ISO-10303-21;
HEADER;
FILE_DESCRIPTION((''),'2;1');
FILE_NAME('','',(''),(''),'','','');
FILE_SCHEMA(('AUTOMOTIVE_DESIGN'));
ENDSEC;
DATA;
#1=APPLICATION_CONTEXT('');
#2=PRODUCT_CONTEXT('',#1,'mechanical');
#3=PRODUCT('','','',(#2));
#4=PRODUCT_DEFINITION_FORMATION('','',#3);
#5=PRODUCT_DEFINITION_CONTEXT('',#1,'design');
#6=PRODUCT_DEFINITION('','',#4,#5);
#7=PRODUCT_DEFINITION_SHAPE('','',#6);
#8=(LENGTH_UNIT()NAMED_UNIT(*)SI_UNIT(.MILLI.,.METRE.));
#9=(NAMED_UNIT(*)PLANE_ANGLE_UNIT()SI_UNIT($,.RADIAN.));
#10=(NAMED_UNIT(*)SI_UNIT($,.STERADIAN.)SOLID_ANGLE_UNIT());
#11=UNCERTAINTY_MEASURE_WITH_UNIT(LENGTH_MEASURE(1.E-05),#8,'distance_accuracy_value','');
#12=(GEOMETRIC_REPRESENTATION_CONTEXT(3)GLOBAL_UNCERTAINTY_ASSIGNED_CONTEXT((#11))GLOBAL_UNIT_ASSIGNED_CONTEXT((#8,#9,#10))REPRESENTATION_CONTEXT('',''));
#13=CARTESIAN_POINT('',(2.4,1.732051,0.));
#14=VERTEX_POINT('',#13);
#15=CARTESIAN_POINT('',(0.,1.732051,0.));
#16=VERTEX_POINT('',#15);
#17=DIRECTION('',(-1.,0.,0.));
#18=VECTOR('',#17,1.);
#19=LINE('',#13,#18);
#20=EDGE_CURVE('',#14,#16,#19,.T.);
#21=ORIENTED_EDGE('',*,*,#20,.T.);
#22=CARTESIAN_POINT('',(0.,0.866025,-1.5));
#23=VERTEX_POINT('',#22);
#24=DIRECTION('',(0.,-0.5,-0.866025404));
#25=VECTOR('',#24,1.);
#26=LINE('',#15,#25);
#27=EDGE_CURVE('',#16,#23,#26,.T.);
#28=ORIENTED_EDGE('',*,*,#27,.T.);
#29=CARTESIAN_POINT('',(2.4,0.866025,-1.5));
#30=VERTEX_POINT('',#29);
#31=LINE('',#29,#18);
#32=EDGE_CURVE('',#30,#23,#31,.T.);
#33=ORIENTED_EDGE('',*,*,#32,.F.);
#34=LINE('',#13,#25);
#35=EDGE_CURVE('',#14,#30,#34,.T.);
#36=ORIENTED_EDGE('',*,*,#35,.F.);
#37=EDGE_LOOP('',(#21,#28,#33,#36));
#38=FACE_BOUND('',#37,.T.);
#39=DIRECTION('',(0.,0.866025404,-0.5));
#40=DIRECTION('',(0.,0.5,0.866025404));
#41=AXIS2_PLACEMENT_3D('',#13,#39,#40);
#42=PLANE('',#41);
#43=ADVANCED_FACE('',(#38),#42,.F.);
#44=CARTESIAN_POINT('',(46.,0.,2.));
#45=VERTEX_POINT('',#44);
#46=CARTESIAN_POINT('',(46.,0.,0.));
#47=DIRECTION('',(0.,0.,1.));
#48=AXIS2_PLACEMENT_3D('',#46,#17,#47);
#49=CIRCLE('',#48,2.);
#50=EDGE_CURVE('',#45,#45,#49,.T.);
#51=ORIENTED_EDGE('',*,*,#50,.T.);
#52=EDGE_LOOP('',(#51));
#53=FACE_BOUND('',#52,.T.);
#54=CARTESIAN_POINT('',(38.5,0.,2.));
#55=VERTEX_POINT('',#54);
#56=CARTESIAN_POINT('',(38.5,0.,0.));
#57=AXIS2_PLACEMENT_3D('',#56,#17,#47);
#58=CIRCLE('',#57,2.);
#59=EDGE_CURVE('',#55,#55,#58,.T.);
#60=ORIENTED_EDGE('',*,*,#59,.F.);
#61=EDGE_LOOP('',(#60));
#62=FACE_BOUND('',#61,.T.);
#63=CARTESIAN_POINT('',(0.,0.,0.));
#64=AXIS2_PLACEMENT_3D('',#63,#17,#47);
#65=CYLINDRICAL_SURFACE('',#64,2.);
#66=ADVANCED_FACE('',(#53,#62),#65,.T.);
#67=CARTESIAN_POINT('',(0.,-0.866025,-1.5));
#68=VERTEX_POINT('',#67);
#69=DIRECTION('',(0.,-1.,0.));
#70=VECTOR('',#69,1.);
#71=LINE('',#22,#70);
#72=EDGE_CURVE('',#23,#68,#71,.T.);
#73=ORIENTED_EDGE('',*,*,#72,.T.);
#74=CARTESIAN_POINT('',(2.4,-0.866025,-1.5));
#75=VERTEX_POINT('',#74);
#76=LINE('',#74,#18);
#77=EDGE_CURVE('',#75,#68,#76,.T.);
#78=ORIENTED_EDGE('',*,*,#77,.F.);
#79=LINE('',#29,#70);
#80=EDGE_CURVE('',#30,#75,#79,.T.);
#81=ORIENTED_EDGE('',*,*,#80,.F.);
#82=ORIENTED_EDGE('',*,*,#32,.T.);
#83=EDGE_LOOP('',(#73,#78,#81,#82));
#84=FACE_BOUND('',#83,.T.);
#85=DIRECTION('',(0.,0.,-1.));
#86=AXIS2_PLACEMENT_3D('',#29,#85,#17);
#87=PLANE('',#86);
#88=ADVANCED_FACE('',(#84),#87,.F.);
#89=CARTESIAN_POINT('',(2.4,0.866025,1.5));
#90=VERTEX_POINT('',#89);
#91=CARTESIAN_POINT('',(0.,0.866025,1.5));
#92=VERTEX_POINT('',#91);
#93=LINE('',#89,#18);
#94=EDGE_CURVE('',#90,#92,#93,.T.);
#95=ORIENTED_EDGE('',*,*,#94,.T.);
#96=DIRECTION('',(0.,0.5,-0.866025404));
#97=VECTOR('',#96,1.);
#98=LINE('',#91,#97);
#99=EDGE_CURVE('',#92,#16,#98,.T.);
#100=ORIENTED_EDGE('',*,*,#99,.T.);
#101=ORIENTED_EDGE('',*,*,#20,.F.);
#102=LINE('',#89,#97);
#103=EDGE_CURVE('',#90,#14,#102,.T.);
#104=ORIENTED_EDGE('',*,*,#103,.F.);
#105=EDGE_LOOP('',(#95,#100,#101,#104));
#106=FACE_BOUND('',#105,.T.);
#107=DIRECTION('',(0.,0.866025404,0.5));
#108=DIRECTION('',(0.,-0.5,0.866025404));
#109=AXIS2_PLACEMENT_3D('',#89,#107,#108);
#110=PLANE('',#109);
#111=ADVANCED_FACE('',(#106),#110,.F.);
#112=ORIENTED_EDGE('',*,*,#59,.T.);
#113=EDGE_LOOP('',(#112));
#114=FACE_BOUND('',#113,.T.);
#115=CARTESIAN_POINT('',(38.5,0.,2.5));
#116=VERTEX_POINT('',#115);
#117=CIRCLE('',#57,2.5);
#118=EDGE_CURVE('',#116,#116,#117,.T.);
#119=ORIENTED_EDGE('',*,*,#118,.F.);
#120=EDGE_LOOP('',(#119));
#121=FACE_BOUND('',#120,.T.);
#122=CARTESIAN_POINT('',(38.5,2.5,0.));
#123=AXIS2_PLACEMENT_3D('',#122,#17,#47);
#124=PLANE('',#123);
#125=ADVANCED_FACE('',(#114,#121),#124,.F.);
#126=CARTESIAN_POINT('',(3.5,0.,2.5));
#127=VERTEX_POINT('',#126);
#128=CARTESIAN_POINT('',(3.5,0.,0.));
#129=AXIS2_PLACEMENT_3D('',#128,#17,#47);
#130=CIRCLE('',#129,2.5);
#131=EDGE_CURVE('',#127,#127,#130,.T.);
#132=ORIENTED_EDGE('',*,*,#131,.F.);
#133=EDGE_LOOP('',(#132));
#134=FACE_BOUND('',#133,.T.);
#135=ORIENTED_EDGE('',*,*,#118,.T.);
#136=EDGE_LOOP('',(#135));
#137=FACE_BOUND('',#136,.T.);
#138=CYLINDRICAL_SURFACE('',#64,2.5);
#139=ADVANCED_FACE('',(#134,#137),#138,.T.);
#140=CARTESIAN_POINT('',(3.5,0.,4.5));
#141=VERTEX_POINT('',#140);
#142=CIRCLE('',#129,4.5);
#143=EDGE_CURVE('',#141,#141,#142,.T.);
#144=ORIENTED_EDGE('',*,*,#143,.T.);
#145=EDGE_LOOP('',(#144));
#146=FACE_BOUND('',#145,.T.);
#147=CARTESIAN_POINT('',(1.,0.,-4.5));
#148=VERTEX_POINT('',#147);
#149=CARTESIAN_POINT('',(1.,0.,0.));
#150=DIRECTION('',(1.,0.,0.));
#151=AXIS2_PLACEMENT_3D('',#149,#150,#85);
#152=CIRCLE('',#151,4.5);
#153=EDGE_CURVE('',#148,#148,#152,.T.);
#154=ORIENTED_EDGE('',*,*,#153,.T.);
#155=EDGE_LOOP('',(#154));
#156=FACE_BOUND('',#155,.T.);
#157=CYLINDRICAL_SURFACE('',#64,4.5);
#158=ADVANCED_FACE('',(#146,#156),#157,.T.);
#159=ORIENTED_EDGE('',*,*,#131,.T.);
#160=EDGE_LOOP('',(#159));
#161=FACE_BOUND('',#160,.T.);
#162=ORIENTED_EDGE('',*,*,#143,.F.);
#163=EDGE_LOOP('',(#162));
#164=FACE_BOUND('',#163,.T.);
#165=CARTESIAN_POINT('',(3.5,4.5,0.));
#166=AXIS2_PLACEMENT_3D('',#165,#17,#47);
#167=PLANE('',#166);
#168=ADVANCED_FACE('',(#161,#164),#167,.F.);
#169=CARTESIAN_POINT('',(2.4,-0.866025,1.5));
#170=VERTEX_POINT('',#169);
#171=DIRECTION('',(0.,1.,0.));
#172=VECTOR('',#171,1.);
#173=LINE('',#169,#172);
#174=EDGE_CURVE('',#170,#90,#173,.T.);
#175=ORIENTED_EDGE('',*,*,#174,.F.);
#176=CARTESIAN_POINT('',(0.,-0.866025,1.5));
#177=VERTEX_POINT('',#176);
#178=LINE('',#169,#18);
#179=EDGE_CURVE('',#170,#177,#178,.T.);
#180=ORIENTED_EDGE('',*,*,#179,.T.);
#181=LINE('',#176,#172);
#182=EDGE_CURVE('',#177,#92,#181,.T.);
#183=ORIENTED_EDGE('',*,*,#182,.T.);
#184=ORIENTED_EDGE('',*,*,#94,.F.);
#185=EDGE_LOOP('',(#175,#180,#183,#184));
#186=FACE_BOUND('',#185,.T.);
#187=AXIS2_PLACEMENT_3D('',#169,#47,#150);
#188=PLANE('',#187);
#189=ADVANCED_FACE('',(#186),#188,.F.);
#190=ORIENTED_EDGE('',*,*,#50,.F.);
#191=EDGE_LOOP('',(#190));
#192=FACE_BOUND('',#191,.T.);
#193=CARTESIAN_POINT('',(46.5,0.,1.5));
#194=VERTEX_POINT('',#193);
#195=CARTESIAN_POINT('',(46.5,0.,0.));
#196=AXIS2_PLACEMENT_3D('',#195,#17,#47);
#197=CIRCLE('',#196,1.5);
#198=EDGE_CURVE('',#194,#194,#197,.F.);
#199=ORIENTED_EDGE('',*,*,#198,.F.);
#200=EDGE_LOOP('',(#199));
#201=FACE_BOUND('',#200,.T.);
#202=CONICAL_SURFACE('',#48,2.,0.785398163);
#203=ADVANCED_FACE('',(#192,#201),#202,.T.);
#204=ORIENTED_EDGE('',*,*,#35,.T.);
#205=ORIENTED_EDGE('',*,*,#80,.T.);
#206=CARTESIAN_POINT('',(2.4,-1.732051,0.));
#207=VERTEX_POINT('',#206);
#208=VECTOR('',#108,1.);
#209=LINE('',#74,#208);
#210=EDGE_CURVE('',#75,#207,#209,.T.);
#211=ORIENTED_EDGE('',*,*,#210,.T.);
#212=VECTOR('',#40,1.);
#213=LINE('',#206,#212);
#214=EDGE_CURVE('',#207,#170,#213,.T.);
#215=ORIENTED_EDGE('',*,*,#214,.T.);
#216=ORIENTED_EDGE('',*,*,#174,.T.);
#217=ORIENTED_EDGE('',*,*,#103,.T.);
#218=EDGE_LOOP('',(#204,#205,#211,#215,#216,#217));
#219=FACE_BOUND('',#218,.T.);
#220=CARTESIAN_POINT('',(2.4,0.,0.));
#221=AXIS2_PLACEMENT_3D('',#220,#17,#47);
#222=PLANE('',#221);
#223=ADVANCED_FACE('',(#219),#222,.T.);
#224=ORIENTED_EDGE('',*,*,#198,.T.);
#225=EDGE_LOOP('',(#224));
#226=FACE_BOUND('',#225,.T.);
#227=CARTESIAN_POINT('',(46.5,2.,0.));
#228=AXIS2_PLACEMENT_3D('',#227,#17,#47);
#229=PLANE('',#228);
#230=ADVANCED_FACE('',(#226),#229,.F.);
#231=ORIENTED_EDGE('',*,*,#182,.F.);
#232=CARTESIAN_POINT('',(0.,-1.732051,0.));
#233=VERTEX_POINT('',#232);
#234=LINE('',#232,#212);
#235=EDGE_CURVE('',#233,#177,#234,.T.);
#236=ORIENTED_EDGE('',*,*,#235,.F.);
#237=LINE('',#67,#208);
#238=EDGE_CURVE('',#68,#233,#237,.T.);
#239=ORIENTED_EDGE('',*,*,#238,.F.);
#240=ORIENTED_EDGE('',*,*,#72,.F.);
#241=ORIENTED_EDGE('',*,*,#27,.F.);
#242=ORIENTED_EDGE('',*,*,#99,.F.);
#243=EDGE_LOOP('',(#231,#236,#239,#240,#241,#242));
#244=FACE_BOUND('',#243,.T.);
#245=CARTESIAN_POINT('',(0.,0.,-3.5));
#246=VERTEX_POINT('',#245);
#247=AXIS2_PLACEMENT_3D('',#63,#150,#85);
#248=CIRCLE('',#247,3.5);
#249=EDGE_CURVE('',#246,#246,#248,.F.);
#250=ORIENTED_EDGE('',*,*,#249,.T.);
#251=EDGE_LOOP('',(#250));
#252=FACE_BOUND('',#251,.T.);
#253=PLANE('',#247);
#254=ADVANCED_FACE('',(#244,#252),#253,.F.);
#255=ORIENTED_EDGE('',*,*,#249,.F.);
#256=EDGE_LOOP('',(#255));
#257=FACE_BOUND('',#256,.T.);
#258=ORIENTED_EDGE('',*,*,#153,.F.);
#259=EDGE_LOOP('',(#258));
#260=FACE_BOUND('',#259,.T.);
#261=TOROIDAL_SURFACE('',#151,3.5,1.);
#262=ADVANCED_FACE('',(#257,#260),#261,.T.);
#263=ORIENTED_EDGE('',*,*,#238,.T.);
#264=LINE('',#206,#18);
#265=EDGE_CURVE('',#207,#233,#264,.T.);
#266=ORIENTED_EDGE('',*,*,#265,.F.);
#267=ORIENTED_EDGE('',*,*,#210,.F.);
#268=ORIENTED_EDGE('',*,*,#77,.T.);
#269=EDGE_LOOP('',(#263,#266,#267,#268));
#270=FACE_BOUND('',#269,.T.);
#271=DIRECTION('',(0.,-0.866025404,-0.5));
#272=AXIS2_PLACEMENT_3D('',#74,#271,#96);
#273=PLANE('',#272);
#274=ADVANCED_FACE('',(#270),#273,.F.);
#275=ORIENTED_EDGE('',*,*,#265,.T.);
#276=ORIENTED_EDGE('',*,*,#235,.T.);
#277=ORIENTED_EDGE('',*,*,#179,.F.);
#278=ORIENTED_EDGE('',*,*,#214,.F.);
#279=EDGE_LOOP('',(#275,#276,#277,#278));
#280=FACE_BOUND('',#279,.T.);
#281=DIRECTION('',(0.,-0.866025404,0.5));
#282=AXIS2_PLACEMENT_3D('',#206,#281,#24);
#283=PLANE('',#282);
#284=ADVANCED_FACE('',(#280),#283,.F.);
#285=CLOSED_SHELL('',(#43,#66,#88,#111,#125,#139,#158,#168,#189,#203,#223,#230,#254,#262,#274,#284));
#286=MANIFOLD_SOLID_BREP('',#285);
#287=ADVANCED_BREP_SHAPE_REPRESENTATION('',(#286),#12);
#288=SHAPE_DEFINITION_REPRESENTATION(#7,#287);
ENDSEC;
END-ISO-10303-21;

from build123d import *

# Parameters (mm, degrees)
CUT_EXTRUDE_1_DEPTH = 2.4
FILLET_1_R          = 1
CHAMFER_1_SIZE      = 0.5


with BuildPart() as part:
    # 草图1 → 旋转1 (revolve)
    with BuildSketch(Plane.XY, mode=Mode.PRIVATE) as revolve_1_sk:
        Polygon((0, 0), (0, 4.5), (3.5, 4.5), (3.5, 2.5), (38.5, 2.5), (38.5, 2), (46.5, 2), (46.5, 0), align=None)
    revolve(revolve_1_sk.sketch.rotate(Axis((0, 0, 0), (1, 0, 0)), 90), axis=Axis((0, 0, 0), (1, 0, 0)))

    # 草图2 → 切除-拉伸1 (cut)
    with BuildSketch(Plane.ZY):
        Polygon((0, 1.732050808), (-1.5, 0.866025404), (-1.5, -0.866025404), (0, -1.732050808), (1.5, -0.866025404), (1.5, 0.866025404), align=None)
    extrude(amount=-CUT_EXTRUDE_1_DEPTH, mode=Mode.SUBTRACT)

    # 圆角1
    fillet_1_edges = [part.edges().sort_by_distance(p)[0] for p in [
        (0, 0, -4.5),
    ]]
    fillet(fillet_1_edges, radius=FILLET_1_R)

    # 倒角1
    chamfer_1_edges = [part.edges().sort_by_distance(p)[0] for p in [
        (46.5, 0, -2),
    ]]
    chamfer(chamfer_1_edges, length=CHAMFER_1_SIZE)


solid = part.part
